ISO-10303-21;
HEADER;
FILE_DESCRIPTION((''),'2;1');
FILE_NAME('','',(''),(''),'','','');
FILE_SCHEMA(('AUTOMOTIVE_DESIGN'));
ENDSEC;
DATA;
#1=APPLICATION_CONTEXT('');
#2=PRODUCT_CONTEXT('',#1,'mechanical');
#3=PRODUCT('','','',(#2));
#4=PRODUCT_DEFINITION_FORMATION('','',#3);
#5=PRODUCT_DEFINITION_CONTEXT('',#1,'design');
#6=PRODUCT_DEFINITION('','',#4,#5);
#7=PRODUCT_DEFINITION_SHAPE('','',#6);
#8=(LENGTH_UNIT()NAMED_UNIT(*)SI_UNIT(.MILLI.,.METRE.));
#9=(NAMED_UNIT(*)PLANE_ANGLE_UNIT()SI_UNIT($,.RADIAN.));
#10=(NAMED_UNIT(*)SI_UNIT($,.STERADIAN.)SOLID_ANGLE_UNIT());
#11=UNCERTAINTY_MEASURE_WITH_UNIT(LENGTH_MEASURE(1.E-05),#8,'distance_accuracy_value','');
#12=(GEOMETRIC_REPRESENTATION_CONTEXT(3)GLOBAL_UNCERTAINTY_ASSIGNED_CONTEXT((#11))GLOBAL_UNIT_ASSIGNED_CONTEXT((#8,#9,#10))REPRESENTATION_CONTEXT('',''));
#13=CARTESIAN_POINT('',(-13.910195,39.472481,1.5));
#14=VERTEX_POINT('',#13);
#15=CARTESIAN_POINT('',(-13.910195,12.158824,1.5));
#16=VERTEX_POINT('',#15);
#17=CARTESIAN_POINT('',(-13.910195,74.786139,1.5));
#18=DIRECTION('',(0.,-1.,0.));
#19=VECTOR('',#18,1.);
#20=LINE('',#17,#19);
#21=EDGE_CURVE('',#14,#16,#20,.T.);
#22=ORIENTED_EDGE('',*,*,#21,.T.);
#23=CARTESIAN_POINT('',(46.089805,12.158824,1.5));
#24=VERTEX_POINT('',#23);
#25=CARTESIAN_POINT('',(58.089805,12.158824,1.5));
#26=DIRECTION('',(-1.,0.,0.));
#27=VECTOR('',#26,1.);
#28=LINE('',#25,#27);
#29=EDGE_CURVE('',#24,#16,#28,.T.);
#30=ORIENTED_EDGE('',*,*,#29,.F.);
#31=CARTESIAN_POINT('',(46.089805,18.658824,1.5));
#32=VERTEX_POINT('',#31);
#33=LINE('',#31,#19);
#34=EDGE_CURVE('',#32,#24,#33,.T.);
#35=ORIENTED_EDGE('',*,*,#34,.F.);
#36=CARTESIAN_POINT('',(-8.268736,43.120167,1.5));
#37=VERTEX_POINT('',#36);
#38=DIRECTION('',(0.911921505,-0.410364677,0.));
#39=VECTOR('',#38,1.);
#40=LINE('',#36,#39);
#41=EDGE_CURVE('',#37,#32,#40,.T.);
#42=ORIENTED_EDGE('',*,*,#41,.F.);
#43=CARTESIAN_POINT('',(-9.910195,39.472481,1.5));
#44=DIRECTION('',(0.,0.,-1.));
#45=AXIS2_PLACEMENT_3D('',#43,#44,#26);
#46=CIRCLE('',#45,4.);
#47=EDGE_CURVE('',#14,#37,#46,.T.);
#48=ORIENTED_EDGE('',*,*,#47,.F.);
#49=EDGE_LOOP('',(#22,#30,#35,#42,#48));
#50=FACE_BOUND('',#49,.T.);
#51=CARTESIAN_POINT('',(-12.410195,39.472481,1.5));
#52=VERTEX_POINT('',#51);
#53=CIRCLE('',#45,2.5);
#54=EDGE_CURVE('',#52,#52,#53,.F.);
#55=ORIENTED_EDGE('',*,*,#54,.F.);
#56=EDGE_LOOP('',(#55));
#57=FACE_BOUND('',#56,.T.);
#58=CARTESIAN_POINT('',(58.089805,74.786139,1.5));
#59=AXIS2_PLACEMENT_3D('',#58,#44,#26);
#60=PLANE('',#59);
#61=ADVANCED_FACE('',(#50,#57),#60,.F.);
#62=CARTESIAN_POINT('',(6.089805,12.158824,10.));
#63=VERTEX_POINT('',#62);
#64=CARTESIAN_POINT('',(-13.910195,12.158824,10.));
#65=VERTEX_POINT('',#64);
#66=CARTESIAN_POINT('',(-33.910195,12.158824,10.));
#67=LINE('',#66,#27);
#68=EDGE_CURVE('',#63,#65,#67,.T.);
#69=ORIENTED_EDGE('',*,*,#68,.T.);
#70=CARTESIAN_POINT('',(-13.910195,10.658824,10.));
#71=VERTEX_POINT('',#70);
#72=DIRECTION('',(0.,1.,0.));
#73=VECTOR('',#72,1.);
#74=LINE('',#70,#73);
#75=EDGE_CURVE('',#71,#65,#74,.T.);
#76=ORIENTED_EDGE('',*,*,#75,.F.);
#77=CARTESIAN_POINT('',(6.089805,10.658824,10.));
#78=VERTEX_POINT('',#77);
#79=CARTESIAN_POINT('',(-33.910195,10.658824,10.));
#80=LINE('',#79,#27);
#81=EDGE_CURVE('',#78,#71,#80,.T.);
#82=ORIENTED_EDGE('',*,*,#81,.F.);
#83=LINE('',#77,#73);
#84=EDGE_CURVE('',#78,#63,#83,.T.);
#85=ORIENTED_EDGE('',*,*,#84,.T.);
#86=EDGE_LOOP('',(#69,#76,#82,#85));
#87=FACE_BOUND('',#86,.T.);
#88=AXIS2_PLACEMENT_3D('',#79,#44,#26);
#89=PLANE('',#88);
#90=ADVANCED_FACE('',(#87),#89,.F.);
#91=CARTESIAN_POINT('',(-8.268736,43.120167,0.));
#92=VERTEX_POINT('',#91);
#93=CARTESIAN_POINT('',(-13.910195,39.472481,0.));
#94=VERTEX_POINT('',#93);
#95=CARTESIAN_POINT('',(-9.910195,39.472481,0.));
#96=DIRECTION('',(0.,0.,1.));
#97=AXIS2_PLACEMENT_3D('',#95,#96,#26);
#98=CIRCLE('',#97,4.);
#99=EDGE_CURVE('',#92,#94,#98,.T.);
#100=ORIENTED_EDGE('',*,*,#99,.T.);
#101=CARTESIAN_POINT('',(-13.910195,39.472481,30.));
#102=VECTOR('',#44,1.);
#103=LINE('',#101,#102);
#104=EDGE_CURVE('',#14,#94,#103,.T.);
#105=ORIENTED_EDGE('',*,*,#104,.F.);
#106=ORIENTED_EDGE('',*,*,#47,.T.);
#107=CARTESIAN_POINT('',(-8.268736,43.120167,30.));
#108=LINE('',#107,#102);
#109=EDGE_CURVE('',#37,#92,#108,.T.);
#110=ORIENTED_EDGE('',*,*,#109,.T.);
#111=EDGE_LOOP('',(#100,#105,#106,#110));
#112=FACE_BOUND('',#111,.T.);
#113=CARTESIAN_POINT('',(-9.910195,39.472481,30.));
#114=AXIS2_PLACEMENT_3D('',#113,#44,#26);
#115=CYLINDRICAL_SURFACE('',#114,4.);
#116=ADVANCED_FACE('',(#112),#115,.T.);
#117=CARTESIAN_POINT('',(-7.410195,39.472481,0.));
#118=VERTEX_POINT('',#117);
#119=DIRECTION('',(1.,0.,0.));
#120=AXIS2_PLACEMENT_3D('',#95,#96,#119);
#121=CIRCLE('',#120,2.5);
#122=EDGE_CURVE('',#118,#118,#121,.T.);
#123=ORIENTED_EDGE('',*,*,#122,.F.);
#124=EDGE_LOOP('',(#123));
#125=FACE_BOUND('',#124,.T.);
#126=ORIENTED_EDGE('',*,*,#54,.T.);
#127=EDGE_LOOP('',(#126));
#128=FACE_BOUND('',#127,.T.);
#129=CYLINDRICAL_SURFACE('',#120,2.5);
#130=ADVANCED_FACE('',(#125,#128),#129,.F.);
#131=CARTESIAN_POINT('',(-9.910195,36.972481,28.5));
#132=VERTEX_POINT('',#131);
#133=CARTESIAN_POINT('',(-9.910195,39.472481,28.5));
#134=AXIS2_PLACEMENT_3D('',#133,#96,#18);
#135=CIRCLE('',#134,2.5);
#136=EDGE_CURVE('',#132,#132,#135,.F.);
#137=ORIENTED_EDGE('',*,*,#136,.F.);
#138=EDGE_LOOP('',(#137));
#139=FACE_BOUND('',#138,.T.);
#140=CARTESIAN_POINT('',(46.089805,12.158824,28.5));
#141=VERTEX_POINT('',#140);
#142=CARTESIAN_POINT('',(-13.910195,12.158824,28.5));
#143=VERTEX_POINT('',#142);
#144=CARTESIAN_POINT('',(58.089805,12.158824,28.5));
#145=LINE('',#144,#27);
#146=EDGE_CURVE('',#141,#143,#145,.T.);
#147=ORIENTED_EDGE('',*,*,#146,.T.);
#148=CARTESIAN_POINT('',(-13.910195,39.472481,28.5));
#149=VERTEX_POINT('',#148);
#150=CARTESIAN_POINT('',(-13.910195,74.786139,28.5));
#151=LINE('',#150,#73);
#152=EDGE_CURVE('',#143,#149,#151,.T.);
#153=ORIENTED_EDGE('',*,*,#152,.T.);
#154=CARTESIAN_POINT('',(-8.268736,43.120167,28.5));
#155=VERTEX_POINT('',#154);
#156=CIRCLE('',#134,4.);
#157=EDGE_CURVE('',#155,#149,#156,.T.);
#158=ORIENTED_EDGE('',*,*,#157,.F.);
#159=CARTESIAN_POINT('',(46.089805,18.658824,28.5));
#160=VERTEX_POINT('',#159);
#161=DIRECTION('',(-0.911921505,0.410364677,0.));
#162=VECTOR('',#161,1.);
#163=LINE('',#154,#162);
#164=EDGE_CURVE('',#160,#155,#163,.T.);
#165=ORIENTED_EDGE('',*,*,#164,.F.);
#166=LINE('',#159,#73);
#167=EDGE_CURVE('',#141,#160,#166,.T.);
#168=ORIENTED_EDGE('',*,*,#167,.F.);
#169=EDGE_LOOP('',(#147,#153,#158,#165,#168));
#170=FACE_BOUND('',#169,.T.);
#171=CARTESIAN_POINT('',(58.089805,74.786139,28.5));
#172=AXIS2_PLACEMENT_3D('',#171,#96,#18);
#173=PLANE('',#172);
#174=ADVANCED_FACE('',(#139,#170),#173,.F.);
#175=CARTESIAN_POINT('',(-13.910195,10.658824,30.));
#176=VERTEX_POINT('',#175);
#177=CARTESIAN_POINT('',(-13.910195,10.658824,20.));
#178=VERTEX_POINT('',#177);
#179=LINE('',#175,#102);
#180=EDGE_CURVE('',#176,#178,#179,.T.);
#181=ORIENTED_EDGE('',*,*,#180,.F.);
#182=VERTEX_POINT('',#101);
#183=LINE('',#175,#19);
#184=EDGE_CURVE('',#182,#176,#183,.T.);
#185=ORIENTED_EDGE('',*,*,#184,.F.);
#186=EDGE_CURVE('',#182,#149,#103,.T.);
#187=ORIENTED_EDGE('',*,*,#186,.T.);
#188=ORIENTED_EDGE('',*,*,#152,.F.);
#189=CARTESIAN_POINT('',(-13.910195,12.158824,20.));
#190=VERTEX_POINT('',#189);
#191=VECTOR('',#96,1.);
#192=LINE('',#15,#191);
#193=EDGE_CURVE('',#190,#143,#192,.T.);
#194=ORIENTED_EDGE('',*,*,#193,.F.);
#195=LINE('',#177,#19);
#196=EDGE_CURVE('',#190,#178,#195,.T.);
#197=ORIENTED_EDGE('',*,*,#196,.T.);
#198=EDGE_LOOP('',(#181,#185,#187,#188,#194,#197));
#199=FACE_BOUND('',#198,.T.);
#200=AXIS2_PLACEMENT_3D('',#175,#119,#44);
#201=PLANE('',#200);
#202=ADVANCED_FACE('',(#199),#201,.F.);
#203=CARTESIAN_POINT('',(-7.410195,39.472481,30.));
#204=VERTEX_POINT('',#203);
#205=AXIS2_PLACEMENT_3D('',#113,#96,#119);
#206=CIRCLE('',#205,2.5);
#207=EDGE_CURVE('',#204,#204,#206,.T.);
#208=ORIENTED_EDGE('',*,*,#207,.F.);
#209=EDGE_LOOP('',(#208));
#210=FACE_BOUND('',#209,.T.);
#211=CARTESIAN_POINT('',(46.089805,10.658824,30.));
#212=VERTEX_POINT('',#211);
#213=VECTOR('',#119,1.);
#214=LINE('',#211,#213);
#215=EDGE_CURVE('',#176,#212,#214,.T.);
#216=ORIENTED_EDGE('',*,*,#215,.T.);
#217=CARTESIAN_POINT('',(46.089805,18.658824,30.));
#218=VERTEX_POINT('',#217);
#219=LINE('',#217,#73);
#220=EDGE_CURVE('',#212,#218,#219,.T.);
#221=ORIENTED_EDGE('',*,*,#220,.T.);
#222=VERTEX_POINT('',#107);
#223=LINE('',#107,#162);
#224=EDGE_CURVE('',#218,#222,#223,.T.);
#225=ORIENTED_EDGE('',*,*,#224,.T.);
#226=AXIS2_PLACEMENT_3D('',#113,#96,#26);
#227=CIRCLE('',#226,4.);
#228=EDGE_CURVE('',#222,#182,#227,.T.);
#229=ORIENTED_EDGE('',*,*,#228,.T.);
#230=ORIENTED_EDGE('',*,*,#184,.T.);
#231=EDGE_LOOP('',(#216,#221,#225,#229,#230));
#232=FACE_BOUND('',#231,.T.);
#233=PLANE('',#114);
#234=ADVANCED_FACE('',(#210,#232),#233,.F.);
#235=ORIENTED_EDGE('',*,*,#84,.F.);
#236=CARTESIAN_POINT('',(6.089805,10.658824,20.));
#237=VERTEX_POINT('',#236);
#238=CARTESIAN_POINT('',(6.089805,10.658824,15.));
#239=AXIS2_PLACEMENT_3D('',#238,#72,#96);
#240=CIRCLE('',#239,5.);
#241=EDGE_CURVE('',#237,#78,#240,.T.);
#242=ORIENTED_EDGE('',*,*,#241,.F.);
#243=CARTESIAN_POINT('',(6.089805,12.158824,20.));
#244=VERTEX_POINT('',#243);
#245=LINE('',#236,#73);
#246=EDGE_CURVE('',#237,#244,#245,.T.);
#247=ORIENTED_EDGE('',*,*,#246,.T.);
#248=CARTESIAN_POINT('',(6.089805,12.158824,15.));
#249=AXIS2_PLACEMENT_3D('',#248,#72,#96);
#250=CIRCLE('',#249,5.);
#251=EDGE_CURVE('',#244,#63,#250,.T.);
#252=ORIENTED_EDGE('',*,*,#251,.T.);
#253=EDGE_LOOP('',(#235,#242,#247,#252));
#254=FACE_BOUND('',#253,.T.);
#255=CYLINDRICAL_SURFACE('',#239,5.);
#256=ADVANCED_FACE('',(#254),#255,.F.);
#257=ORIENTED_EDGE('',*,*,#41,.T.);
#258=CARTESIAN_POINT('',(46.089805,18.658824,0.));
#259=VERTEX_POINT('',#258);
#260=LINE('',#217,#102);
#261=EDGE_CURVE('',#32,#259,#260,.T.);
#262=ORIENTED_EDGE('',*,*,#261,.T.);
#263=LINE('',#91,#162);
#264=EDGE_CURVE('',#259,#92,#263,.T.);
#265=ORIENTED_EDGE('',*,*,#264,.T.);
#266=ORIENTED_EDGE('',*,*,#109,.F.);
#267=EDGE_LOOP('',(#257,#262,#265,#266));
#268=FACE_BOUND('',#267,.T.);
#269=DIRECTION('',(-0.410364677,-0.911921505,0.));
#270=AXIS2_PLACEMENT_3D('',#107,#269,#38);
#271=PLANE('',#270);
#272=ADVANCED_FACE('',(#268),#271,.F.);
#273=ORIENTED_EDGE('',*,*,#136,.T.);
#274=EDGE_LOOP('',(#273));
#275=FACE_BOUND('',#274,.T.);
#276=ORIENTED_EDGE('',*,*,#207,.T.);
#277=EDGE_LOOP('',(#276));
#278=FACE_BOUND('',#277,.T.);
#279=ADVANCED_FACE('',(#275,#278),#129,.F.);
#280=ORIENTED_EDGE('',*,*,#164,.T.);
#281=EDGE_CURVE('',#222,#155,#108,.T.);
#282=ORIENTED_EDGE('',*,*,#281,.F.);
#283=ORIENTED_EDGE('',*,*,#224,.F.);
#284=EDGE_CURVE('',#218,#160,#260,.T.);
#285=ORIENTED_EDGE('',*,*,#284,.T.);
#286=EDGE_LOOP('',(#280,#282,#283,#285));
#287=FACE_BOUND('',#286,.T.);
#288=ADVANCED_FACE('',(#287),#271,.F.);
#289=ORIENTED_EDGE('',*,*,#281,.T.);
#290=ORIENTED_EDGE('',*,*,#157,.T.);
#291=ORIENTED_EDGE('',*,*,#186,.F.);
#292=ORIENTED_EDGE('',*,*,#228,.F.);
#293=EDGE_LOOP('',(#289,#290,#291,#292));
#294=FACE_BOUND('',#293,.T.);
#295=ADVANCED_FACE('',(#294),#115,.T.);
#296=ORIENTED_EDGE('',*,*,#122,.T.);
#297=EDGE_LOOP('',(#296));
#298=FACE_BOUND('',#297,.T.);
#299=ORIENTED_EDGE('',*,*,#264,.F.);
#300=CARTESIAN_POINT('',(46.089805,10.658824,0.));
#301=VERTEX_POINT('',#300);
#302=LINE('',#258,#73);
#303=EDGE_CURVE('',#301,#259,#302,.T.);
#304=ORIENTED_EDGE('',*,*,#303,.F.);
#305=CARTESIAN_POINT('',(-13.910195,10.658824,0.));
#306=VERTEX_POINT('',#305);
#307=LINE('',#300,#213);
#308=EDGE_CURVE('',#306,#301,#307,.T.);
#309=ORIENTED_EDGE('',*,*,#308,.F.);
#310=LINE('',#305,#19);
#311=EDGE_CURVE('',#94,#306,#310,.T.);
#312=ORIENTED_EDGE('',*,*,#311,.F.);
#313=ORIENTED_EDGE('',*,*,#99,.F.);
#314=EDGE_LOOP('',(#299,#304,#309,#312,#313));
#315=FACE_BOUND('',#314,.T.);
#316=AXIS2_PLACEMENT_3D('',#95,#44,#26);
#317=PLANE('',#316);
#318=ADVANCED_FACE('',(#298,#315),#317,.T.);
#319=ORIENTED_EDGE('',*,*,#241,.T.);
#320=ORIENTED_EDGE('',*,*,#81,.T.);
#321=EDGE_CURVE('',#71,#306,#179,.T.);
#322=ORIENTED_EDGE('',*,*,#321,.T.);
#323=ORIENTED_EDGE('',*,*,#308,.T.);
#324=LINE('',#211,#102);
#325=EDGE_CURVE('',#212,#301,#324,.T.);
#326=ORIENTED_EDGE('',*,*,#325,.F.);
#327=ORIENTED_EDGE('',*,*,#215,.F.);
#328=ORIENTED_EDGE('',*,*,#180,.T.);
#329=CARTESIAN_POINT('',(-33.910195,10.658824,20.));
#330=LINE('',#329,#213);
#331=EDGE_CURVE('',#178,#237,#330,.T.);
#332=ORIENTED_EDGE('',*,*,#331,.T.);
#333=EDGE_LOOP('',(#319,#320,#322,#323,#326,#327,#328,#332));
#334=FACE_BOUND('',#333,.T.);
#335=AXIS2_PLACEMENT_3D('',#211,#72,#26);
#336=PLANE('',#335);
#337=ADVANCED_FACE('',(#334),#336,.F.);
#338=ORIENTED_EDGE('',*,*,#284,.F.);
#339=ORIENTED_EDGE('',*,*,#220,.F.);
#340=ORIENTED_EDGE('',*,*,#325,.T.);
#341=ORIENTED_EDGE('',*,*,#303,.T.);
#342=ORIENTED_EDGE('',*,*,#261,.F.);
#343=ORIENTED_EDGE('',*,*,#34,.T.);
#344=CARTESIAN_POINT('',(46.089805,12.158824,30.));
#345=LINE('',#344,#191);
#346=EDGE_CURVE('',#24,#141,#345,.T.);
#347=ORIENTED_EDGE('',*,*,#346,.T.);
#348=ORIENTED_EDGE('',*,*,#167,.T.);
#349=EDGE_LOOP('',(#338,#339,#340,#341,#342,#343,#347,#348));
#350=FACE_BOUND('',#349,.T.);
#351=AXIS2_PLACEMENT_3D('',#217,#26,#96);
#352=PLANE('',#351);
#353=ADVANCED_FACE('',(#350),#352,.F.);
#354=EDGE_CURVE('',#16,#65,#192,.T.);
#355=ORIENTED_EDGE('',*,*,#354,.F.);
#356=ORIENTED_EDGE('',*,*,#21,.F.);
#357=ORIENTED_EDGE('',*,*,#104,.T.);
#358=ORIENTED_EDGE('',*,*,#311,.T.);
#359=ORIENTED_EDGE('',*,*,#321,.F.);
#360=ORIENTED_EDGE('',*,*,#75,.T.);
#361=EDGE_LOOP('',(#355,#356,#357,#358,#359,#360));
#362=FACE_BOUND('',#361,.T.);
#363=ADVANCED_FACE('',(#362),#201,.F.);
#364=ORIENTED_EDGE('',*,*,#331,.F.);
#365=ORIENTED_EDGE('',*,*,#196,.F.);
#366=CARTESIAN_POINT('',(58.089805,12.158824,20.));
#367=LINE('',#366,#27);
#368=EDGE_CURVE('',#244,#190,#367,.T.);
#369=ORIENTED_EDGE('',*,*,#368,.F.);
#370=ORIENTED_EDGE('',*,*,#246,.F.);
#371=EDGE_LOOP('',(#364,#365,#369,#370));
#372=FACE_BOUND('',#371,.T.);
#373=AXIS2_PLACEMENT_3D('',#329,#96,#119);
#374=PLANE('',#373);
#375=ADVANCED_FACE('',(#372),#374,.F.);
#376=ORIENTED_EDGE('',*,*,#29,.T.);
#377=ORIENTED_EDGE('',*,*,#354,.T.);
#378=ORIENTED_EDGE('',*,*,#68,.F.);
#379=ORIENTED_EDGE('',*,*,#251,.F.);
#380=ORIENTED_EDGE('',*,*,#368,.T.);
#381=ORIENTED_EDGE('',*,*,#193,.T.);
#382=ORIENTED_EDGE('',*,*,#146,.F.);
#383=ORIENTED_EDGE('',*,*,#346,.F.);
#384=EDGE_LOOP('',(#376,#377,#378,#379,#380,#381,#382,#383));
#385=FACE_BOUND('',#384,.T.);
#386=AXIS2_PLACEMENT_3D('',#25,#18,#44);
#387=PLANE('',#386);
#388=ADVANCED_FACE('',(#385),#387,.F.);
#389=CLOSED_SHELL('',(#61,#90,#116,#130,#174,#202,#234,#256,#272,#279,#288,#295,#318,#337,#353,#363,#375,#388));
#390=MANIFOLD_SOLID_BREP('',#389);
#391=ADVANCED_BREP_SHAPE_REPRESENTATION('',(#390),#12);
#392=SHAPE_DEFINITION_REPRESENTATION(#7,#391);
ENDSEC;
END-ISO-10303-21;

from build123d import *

# Parameters (mm, degrees)
SALIENTE_EXTRUIR1_DEPTH = 30
CROQUIS2_R              = 2.5
CORTAR_EXTRUIR1_DEPTH   = 71.10083252
CROQUIS3_W              = 27
CROQUIS3_H              = 62.627315121
CORTAR_EXTRUIR2_DEPTH   = 72
CORTAR_EXTRUIR3_DEPTH   = 64.283609709


with BuildPart() as part:
    # Croquis1 → Saliente-Extruir1 (new body)
    with BuildSketch(Plane.XY):
        with BuildLine():
            Line((-13.910195184, 10.658823529), (-13.910195184, 39.47248109))
            ThreePointArc((-13.910195184, 39.47248109), (-12.082079753, 42.831486511), (-8.268736475, 43.12016711))
            Line((-8.268736475, 43.12016711), (46.089804816, 18.658823529))
            Line((46.089804816, 18.658823529), (46.089804816, 10.658823529))
            Line((46.089804816, 10.658823529), (-13.910195184, 10.658823529))
        make_face()
    extrude(amount=SALIENTE_EXTRUIR1_DEPTH)

    # Croquis2 → Cortar-Extruir1 (cut, through all)
    with BuildSketch(Plane.XY.offset(30)):
        with Locations((-9.910195184, 39.47248109)):
            Circle(CROQUIS2_R)
    extrude(amount=-CORTAR_EXTRUIR1_DEPTH, mode=Mode.SUBTRACT)

    # Croquis3 → Cortar-Extruir2 (cut)
    with BuildSketch(Plane.ZY.offset(13.910195184)):
        with Locations((15, 43.47248109)):
            Rectangle(CROQUIS3_W, CROQUIS3_H)
    extrude(amount=-CORTAR_EXTRUIR2_DEPTH, mode=Mode.SUBTRACT)

    # Croquis4 → Cortar-Extruir3 (cut, through all)
    with BuildSketch(Plane(origin=(0, 12.158823529, 0), x_dir=(1, 0, 0), z_dir=(0, 1, 0))):
        with BuildLine():
            Line((-33.910195184, -20), (6.089804816, -20))
            ThreePointArc((6.089804816, -20), (11.089804816, -15), (6.089804816, -10))
            Line((6.089804816, -10), (-33.910195184, -10))
            Line((-33.910195184, -10), (-33.910195184, -20))
        make_face()
    extrude(amount=-CORTAR_EXTRUIR3_DEPTH, mode=Mode.SUBTRACT)


solid = part.part
